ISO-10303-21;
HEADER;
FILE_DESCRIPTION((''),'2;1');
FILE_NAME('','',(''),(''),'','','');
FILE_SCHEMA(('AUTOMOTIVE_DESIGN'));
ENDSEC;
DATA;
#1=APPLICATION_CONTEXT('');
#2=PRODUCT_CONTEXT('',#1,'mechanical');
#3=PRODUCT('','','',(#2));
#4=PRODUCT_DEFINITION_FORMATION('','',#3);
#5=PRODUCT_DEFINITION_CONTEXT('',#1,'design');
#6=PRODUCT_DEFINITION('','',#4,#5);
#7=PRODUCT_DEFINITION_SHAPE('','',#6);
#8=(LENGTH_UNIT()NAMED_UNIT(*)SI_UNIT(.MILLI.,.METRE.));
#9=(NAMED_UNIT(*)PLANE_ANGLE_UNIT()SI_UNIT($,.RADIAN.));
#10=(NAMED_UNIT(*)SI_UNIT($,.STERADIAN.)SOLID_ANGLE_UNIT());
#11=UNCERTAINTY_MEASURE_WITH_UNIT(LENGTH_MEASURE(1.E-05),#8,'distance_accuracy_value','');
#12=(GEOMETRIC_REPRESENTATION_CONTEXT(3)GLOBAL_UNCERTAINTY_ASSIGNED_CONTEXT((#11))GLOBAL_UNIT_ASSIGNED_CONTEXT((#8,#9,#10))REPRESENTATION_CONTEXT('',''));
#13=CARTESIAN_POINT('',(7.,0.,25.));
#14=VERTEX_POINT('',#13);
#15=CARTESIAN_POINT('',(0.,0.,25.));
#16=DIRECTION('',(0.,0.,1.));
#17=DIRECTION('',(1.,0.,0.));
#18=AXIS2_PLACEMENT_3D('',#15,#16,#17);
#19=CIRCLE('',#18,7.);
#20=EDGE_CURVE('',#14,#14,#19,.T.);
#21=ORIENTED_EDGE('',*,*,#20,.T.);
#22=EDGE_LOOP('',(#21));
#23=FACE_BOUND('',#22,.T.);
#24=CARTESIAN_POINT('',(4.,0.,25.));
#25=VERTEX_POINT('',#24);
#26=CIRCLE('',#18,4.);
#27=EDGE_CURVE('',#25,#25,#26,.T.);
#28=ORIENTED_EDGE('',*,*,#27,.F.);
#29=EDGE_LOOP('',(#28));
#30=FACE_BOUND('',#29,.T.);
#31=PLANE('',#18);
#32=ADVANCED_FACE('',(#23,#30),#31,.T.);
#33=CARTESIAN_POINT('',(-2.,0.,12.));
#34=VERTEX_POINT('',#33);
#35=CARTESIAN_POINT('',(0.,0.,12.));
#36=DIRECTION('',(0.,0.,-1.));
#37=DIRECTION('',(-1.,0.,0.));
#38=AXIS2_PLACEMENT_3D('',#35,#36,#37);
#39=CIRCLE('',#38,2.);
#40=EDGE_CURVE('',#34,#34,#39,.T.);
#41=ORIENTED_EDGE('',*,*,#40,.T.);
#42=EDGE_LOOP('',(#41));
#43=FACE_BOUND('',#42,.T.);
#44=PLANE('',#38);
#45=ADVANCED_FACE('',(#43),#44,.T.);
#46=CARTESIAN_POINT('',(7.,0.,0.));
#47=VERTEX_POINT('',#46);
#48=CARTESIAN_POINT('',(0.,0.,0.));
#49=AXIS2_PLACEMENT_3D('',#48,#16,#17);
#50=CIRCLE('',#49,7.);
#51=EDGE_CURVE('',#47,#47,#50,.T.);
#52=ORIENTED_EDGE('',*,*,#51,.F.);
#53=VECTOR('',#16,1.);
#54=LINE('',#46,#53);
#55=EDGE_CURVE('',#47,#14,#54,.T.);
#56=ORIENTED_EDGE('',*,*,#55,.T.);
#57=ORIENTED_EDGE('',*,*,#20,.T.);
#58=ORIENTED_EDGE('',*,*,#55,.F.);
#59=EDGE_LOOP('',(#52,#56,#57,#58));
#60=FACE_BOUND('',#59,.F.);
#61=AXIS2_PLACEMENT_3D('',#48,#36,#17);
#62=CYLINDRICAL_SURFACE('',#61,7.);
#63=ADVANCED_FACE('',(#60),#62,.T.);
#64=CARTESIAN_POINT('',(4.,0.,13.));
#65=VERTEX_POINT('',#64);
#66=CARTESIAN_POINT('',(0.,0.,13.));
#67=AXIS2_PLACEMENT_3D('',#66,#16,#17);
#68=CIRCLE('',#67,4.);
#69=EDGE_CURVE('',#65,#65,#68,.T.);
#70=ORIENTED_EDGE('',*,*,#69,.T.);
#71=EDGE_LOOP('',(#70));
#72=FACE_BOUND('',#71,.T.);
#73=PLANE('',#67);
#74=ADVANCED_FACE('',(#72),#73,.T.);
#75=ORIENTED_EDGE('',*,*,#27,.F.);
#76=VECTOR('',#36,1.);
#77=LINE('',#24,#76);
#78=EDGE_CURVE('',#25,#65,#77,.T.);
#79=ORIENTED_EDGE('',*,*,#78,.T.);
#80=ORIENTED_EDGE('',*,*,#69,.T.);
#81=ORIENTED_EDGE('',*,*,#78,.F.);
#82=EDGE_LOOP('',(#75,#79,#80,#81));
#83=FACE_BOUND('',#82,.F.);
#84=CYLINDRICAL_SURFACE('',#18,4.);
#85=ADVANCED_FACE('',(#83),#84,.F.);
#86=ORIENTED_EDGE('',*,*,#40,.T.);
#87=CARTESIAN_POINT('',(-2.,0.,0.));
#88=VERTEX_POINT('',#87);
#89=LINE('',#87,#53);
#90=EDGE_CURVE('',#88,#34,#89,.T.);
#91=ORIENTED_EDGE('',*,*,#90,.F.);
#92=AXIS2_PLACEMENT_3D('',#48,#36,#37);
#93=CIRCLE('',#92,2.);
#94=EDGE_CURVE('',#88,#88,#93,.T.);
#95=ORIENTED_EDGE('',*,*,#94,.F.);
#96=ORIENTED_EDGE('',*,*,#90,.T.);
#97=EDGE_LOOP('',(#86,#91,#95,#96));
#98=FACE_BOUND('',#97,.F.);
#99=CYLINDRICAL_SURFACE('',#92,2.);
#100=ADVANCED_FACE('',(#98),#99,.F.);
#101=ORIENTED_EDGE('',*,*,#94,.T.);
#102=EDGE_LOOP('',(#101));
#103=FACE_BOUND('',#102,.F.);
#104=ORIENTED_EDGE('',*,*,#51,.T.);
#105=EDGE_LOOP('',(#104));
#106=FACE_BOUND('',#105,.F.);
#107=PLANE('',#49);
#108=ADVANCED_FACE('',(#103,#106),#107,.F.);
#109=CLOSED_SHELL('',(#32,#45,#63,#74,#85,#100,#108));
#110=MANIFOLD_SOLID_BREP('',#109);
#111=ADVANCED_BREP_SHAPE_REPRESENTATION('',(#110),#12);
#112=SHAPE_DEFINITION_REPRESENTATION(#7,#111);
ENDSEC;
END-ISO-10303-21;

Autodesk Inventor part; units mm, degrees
ref_plane "YZ Plane" through (0, 0, 0) normal (1, 0, 0) x (0, 1, 0)
ref_plane "XZ Plane" through (0, 0, 0) normal (0, 1, 0) x (-1, 0, 0)
ref_plane "XY Plane" through (0, 0, 0) normal (0, 0, 1) x (1, 0, 0)
sketch "Sketch1" plane through (0, 0, 0) normal (0, 0, 1) x (1, 0, 0)
  circle A0 centre (0, 0) radius 7
  dimension "d0" = 14
extrude "Extrusion1" add sketch "Sketch1" along normal blind 25
sketch "Sketch2" plane through (0, 0, 25) normal (0, 0, 1) x (1, 0, 0)
  circle A0 centre (0, 0) radius 4
  dimension "d3" = 8
extrude "Extrusion2" cut sketch "Sketch2" against normal blind 12
sketch "Sketch3" plane through (0, 0, 0) normal (0, 0, -1) x (-1, 0, 0)
  circle A0 centre (0, 0) radius 2
  dimension "d6" = 4
extrude "Extrusion3" cut sketch "Sketch3" against normal blind 12
properties part number "Acople4a8"
